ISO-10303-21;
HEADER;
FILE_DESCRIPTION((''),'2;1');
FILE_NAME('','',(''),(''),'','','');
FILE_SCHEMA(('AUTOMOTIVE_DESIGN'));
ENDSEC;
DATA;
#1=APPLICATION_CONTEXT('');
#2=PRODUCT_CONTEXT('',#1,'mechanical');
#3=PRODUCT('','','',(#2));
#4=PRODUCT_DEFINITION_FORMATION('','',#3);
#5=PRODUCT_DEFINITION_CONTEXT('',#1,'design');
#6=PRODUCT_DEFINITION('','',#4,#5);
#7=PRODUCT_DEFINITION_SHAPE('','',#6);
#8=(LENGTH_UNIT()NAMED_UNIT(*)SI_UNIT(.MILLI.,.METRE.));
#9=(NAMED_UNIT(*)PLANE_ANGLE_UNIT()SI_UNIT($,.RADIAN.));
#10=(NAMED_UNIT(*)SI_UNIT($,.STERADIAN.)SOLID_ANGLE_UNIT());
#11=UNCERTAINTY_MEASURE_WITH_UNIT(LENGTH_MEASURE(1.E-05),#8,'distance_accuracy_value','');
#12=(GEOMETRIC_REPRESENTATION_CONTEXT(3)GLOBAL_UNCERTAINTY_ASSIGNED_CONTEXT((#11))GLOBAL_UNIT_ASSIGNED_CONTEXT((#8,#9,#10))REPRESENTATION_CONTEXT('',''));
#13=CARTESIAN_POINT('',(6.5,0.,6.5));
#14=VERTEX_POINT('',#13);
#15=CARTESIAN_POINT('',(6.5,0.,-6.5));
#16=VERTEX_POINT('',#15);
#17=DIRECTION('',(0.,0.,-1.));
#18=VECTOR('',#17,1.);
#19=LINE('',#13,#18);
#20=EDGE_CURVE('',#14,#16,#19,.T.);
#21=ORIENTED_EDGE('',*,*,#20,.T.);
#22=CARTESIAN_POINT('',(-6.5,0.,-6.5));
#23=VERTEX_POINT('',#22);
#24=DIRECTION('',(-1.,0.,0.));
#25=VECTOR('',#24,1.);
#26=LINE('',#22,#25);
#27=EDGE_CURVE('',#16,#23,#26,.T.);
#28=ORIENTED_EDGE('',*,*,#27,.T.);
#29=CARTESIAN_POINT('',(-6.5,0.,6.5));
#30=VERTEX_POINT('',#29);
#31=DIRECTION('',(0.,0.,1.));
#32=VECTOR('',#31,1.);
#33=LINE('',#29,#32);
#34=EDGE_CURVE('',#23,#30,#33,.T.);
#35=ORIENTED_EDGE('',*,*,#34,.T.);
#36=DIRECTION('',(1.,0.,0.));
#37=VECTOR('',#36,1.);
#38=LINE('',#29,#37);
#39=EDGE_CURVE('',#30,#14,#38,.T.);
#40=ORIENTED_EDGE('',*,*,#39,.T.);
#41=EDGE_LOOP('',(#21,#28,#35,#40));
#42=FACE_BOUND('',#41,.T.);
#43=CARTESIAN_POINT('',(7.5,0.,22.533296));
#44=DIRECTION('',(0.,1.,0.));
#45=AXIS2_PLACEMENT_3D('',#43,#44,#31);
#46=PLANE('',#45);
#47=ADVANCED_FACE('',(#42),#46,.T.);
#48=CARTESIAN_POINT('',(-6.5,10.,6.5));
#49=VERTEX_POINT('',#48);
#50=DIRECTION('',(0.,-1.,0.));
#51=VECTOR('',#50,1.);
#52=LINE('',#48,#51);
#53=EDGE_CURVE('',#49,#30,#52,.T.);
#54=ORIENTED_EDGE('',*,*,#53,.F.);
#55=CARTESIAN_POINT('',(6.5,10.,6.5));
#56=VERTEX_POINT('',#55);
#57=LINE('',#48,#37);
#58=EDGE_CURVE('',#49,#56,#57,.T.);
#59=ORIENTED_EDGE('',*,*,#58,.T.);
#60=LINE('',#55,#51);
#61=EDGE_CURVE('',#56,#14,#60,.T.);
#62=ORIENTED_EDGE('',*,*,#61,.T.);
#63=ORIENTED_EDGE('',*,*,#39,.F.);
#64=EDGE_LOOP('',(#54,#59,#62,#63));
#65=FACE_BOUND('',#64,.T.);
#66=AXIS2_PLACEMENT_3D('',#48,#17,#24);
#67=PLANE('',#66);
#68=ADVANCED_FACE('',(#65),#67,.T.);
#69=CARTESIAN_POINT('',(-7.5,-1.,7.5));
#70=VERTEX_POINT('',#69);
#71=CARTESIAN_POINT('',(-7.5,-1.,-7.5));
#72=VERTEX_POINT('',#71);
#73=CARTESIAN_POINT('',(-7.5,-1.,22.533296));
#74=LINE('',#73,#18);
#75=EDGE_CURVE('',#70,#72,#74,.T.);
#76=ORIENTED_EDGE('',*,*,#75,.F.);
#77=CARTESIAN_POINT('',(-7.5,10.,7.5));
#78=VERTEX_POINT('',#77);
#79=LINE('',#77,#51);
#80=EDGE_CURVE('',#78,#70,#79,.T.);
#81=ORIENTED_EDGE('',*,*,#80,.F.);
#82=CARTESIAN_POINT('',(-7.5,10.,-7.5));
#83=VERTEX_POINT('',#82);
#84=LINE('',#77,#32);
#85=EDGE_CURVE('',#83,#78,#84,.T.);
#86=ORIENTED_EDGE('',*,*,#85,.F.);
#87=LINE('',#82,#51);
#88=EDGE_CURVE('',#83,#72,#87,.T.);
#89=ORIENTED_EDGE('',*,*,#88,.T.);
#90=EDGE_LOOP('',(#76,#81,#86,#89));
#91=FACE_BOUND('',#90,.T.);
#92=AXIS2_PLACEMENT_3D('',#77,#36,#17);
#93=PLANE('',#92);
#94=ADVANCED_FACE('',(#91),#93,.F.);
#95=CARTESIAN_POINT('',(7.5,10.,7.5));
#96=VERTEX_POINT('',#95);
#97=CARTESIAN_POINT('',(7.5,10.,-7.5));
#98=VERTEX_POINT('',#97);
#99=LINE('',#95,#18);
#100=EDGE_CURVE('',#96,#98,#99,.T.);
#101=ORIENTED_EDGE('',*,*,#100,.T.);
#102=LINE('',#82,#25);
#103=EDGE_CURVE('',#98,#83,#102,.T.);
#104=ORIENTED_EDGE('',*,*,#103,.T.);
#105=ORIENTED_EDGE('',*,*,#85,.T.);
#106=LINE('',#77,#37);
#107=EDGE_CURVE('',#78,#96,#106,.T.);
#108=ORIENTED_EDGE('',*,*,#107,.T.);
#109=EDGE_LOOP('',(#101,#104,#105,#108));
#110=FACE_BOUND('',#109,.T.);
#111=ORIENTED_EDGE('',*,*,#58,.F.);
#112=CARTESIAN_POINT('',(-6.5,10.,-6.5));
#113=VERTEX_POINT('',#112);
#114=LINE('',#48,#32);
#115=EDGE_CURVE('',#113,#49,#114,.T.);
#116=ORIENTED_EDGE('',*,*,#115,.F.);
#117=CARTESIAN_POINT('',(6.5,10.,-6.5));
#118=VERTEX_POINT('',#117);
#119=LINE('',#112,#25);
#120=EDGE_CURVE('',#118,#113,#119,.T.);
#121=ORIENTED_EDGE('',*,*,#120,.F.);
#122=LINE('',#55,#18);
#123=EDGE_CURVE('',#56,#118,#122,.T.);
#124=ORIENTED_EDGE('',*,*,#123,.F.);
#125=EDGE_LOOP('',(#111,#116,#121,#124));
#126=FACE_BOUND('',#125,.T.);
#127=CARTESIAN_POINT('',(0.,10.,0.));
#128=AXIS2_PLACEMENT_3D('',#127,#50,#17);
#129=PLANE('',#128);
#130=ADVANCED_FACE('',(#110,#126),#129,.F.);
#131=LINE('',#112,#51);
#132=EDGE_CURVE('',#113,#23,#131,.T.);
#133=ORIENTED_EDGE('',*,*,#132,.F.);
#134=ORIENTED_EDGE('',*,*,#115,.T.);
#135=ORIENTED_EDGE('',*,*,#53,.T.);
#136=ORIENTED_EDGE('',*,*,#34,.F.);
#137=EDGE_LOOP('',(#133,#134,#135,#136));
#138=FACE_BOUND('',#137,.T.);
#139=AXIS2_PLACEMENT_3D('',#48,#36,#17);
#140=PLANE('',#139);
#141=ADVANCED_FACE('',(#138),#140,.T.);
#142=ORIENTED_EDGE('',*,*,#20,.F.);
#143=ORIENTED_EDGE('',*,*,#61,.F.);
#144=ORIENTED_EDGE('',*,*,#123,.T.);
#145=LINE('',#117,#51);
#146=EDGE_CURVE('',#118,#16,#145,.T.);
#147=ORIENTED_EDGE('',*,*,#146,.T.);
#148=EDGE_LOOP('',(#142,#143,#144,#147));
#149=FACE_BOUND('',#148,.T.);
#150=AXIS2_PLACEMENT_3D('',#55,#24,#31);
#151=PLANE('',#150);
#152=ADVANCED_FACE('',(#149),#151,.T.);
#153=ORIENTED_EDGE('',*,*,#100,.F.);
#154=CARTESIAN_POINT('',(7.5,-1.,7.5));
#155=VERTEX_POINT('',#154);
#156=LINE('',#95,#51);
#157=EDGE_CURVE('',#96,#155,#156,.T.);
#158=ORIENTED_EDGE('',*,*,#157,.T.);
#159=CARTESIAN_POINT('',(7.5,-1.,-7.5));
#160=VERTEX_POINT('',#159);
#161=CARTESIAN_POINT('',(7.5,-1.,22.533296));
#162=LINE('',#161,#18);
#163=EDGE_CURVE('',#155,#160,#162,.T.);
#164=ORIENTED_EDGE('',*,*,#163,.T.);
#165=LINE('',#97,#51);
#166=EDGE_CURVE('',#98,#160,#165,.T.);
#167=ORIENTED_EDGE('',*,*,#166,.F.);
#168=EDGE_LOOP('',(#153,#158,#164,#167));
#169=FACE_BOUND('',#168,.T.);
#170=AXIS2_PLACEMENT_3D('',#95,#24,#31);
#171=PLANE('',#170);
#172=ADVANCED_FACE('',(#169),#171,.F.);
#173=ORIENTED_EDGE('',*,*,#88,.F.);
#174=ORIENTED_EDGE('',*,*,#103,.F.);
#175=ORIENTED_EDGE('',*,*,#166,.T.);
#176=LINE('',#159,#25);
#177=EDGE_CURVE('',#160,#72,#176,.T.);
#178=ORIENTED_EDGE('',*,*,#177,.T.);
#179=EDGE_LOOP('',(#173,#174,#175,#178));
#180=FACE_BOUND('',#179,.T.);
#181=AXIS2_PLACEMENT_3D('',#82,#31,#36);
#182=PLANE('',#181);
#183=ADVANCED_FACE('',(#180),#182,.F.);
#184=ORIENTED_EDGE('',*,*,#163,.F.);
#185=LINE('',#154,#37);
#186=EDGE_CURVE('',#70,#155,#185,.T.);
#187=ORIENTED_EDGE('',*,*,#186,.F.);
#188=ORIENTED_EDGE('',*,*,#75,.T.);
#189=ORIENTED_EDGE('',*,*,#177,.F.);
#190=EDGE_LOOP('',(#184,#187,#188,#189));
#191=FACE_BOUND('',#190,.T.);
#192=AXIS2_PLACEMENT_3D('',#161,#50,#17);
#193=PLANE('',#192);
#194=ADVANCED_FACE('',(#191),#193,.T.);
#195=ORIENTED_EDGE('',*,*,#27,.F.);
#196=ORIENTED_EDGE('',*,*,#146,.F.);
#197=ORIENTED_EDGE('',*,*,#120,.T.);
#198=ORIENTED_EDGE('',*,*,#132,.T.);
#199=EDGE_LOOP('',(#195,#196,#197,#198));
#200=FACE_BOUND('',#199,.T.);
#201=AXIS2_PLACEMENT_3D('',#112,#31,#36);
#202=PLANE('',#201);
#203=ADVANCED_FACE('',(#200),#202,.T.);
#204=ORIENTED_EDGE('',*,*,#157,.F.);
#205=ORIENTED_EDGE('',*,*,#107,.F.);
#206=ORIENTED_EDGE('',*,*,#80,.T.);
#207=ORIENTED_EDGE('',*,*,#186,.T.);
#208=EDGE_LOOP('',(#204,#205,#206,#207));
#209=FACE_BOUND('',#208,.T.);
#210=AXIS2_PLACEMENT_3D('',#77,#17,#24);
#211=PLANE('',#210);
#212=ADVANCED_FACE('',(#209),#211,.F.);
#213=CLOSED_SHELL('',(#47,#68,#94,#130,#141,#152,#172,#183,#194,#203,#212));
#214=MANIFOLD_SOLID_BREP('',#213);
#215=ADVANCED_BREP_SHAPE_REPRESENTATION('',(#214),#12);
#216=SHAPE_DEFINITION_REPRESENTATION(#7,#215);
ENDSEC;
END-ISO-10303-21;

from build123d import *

# Parameters (mm, degrees)
SKETCH5_W           = 15
SKETCH5_H           = 15
SKETCH5_W_2         = 13
SKETCH5_H_2         = 13
BOSS_EXTRUDE1_DEPTH = 10
SKETCH6_W           = 15
SKETCH6_H           = 1
BOSS_EXTRUDE2_DEPTH = 15


with BuildPart() as part:
    # Sketch5 → Boss-Extrude1 (new body)
    with BuildSketch(Plane(origin=(0, 0, 0), x_dir=(1, 0, 0), z_dir=(0, 1, 0))):
        Rectangle(SKETCH5_W, SKETCH5_H)
        Rectangle(SKETCH5_W_2, SKETCH5_H_2, mode=Mode.SUBTRACT)
    extrude(amount=BOSS_EXTRUDE1_DEPTH)

    # Sketch6 → Boss-Extrude2 (add)
    with BuildSketch(Plane(origin=(0, 0, -7.5), x_dir=(-1, 0, 0), z_dir=(0, 0, -1))):
        with Locations((0, -0.5)):
            Rectangle(SKETCH6_W, SKETCH6_H)
    extrude(amount=-BOSS_EXTRUDE2_DEPTH)


solid = part.part
